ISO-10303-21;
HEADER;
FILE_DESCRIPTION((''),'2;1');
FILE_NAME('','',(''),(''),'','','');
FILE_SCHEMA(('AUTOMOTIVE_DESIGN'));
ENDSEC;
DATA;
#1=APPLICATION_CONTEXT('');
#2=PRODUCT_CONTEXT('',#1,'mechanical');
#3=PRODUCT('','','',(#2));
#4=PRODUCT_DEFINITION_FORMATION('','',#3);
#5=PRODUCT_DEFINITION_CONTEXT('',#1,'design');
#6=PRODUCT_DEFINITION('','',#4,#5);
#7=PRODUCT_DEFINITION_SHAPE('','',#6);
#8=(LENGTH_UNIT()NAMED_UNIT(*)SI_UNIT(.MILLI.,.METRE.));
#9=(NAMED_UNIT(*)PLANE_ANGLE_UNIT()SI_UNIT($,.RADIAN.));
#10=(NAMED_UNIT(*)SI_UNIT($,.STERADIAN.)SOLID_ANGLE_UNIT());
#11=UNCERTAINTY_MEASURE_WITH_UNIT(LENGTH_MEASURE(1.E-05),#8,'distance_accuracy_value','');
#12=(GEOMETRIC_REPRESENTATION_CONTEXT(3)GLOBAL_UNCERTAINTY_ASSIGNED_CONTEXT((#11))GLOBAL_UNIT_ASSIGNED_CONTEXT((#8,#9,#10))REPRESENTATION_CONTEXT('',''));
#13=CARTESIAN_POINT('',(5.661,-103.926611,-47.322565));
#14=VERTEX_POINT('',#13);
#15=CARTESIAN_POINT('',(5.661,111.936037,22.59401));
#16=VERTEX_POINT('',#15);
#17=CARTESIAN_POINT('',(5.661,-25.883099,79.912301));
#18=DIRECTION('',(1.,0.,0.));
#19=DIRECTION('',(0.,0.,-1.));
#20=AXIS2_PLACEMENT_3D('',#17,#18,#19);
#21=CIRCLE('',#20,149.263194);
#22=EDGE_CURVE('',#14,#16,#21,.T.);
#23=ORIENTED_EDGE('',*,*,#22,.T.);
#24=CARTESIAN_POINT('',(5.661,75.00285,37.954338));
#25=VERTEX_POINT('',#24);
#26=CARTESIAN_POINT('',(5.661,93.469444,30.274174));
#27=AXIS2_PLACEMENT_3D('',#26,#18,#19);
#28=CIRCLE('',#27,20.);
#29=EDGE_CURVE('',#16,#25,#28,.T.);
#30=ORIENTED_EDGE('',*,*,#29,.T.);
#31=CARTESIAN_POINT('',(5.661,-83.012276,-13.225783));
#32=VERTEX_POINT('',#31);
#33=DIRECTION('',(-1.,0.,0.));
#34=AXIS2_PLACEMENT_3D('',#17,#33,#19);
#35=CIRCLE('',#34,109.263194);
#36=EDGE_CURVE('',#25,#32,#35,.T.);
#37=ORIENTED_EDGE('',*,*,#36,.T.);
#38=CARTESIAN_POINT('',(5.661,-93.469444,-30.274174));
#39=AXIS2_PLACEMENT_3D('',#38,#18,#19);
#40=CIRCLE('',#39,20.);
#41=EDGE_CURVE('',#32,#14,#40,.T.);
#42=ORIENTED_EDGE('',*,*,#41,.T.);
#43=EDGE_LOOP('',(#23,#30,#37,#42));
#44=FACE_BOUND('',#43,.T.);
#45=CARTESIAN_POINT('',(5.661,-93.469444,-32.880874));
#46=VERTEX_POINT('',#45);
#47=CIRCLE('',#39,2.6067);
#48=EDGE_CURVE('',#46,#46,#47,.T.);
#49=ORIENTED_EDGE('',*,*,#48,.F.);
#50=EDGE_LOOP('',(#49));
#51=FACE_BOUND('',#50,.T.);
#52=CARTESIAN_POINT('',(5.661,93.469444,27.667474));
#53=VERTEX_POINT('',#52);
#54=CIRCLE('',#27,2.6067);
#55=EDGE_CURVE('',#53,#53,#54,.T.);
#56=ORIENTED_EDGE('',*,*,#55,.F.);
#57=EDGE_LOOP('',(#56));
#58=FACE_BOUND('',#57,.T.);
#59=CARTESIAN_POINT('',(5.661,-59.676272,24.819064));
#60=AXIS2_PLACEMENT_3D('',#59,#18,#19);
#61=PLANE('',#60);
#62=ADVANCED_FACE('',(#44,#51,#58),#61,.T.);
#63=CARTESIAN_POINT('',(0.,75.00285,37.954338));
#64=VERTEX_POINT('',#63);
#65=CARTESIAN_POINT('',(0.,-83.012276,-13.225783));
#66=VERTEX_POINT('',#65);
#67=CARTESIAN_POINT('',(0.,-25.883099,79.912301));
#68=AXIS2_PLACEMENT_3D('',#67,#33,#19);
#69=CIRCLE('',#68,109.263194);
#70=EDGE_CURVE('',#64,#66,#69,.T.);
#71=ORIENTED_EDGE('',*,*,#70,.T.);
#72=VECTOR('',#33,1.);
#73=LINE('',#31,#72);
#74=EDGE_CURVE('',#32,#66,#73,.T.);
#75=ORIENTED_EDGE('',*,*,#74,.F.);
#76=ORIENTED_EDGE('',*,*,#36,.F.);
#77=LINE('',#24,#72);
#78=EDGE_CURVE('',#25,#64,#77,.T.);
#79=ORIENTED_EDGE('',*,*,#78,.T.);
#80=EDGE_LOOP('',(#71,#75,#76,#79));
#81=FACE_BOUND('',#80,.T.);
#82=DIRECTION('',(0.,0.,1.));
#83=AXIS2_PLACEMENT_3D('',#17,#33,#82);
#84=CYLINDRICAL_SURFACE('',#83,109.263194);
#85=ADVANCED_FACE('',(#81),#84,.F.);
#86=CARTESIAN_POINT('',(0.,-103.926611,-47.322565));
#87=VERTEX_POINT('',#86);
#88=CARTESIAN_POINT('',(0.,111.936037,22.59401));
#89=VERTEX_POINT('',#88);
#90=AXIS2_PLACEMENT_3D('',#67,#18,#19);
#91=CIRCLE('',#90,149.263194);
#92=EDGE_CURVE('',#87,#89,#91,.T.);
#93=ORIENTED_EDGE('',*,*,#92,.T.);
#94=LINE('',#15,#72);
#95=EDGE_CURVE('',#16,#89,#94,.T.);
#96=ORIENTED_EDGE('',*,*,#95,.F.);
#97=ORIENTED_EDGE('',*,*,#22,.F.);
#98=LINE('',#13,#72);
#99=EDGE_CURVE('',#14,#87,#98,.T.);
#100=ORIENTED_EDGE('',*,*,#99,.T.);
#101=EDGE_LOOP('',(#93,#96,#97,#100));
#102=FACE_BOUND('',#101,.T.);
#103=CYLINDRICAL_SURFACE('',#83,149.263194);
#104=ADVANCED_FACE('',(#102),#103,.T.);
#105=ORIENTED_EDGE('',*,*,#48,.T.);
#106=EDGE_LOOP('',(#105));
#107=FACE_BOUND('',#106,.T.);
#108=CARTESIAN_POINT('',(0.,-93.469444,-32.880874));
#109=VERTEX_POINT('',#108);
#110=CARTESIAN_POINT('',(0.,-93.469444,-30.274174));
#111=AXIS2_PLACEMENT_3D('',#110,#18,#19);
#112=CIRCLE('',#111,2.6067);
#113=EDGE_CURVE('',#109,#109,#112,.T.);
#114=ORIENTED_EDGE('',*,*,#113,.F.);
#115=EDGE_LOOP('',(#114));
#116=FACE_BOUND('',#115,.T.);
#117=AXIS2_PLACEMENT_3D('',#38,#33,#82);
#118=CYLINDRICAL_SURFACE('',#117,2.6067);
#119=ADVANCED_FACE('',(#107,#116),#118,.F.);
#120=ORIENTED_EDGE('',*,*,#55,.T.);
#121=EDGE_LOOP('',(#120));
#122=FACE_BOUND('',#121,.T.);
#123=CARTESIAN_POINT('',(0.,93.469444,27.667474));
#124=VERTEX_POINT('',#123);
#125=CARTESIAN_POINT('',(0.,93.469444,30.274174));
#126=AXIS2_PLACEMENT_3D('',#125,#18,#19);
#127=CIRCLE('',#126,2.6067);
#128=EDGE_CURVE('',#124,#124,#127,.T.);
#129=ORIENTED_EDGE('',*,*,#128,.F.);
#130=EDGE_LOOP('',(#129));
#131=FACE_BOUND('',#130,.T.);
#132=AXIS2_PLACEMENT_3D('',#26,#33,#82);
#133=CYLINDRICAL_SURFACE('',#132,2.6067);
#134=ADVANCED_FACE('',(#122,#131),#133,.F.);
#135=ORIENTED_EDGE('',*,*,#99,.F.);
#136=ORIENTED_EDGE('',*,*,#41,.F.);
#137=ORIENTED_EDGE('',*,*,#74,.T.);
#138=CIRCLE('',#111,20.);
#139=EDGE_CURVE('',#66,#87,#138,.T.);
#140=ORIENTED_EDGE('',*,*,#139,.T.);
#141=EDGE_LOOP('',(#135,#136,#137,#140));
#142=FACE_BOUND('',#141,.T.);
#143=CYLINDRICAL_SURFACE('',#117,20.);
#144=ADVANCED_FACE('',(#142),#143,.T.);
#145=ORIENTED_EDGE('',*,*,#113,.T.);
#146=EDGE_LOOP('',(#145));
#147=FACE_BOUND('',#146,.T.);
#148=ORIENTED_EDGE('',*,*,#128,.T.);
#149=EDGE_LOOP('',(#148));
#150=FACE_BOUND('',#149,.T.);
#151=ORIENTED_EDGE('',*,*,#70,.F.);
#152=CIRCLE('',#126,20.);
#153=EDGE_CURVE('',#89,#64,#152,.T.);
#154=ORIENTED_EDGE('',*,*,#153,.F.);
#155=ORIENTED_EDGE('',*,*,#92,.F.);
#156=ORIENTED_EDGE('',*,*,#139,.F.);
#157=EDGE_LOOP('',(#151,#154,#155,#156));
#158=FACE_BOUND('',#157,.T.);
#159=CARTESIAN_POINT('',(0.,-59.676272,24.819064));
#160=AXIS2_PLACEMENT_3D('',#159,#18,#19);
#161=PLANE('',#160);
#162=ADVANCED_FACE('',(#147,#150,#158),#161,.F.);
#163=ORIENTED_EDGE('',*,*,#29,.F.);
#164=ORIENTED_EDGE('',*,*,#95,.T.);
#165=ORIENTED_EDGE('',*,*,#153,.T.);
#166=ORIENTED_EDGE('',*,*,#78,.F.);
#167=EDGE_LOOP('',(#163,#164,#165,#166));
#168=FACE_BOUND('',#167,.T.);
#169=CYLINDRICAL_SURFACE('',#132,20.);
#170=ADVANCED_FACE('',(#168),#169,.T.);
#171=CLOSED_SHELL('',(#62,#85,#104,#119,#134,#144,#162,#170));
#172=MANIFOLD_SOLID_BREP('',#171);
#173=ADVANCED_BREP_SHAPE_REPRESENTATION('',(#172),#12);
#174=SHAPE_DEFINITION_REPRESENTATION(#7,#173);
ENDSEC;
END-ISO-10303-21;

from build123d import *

# Parameters (mm, degrees)
SKETCH1_R           = 2.6067
BOSS_EXTRUDE1_DEPTH = 5.661


with BuildPart() as part:
    # Sketch1 → Boss-Extrude1 (new body)
    with BuildSketch(Plane(origin=(0, 0, 0), x_dir=(0, 0, -1), z_dir=(1, 0, 0))):
        with BuildLine():
            ThreePointArc((47.322565062, -103.92661132), (62.088183898, 20.109978147), (-22.594009606, 111.936037246))
            ThreePointArc((-22.594009606, 111.936037246), (-48.740767362, 101.149607863), (-37.954337979, 75.002850107))
            ThreePointArc((-37.954337979, 75.002850107), (24.03446637, 7.784614771), (13.225782523, -83.012276033))
            ThreePointArc((13.225782523, -83.012276033), (19.817006149, -110.517834946), (47.322565062, -103.92661132))
        make_face()
        with Locations((-30.274173793, 93.469443676)):
            Circle(SKETCH1_R, mode=Mode.SUBTRACT)
        with Locations((30.274173793, -93.469443676)):
            Circle(SKETCH1_R, mode=Mode.SUBTRACT)
    extrude(amount=BOSS_EXTRUDE1_DEPTH)


solid = part.part
